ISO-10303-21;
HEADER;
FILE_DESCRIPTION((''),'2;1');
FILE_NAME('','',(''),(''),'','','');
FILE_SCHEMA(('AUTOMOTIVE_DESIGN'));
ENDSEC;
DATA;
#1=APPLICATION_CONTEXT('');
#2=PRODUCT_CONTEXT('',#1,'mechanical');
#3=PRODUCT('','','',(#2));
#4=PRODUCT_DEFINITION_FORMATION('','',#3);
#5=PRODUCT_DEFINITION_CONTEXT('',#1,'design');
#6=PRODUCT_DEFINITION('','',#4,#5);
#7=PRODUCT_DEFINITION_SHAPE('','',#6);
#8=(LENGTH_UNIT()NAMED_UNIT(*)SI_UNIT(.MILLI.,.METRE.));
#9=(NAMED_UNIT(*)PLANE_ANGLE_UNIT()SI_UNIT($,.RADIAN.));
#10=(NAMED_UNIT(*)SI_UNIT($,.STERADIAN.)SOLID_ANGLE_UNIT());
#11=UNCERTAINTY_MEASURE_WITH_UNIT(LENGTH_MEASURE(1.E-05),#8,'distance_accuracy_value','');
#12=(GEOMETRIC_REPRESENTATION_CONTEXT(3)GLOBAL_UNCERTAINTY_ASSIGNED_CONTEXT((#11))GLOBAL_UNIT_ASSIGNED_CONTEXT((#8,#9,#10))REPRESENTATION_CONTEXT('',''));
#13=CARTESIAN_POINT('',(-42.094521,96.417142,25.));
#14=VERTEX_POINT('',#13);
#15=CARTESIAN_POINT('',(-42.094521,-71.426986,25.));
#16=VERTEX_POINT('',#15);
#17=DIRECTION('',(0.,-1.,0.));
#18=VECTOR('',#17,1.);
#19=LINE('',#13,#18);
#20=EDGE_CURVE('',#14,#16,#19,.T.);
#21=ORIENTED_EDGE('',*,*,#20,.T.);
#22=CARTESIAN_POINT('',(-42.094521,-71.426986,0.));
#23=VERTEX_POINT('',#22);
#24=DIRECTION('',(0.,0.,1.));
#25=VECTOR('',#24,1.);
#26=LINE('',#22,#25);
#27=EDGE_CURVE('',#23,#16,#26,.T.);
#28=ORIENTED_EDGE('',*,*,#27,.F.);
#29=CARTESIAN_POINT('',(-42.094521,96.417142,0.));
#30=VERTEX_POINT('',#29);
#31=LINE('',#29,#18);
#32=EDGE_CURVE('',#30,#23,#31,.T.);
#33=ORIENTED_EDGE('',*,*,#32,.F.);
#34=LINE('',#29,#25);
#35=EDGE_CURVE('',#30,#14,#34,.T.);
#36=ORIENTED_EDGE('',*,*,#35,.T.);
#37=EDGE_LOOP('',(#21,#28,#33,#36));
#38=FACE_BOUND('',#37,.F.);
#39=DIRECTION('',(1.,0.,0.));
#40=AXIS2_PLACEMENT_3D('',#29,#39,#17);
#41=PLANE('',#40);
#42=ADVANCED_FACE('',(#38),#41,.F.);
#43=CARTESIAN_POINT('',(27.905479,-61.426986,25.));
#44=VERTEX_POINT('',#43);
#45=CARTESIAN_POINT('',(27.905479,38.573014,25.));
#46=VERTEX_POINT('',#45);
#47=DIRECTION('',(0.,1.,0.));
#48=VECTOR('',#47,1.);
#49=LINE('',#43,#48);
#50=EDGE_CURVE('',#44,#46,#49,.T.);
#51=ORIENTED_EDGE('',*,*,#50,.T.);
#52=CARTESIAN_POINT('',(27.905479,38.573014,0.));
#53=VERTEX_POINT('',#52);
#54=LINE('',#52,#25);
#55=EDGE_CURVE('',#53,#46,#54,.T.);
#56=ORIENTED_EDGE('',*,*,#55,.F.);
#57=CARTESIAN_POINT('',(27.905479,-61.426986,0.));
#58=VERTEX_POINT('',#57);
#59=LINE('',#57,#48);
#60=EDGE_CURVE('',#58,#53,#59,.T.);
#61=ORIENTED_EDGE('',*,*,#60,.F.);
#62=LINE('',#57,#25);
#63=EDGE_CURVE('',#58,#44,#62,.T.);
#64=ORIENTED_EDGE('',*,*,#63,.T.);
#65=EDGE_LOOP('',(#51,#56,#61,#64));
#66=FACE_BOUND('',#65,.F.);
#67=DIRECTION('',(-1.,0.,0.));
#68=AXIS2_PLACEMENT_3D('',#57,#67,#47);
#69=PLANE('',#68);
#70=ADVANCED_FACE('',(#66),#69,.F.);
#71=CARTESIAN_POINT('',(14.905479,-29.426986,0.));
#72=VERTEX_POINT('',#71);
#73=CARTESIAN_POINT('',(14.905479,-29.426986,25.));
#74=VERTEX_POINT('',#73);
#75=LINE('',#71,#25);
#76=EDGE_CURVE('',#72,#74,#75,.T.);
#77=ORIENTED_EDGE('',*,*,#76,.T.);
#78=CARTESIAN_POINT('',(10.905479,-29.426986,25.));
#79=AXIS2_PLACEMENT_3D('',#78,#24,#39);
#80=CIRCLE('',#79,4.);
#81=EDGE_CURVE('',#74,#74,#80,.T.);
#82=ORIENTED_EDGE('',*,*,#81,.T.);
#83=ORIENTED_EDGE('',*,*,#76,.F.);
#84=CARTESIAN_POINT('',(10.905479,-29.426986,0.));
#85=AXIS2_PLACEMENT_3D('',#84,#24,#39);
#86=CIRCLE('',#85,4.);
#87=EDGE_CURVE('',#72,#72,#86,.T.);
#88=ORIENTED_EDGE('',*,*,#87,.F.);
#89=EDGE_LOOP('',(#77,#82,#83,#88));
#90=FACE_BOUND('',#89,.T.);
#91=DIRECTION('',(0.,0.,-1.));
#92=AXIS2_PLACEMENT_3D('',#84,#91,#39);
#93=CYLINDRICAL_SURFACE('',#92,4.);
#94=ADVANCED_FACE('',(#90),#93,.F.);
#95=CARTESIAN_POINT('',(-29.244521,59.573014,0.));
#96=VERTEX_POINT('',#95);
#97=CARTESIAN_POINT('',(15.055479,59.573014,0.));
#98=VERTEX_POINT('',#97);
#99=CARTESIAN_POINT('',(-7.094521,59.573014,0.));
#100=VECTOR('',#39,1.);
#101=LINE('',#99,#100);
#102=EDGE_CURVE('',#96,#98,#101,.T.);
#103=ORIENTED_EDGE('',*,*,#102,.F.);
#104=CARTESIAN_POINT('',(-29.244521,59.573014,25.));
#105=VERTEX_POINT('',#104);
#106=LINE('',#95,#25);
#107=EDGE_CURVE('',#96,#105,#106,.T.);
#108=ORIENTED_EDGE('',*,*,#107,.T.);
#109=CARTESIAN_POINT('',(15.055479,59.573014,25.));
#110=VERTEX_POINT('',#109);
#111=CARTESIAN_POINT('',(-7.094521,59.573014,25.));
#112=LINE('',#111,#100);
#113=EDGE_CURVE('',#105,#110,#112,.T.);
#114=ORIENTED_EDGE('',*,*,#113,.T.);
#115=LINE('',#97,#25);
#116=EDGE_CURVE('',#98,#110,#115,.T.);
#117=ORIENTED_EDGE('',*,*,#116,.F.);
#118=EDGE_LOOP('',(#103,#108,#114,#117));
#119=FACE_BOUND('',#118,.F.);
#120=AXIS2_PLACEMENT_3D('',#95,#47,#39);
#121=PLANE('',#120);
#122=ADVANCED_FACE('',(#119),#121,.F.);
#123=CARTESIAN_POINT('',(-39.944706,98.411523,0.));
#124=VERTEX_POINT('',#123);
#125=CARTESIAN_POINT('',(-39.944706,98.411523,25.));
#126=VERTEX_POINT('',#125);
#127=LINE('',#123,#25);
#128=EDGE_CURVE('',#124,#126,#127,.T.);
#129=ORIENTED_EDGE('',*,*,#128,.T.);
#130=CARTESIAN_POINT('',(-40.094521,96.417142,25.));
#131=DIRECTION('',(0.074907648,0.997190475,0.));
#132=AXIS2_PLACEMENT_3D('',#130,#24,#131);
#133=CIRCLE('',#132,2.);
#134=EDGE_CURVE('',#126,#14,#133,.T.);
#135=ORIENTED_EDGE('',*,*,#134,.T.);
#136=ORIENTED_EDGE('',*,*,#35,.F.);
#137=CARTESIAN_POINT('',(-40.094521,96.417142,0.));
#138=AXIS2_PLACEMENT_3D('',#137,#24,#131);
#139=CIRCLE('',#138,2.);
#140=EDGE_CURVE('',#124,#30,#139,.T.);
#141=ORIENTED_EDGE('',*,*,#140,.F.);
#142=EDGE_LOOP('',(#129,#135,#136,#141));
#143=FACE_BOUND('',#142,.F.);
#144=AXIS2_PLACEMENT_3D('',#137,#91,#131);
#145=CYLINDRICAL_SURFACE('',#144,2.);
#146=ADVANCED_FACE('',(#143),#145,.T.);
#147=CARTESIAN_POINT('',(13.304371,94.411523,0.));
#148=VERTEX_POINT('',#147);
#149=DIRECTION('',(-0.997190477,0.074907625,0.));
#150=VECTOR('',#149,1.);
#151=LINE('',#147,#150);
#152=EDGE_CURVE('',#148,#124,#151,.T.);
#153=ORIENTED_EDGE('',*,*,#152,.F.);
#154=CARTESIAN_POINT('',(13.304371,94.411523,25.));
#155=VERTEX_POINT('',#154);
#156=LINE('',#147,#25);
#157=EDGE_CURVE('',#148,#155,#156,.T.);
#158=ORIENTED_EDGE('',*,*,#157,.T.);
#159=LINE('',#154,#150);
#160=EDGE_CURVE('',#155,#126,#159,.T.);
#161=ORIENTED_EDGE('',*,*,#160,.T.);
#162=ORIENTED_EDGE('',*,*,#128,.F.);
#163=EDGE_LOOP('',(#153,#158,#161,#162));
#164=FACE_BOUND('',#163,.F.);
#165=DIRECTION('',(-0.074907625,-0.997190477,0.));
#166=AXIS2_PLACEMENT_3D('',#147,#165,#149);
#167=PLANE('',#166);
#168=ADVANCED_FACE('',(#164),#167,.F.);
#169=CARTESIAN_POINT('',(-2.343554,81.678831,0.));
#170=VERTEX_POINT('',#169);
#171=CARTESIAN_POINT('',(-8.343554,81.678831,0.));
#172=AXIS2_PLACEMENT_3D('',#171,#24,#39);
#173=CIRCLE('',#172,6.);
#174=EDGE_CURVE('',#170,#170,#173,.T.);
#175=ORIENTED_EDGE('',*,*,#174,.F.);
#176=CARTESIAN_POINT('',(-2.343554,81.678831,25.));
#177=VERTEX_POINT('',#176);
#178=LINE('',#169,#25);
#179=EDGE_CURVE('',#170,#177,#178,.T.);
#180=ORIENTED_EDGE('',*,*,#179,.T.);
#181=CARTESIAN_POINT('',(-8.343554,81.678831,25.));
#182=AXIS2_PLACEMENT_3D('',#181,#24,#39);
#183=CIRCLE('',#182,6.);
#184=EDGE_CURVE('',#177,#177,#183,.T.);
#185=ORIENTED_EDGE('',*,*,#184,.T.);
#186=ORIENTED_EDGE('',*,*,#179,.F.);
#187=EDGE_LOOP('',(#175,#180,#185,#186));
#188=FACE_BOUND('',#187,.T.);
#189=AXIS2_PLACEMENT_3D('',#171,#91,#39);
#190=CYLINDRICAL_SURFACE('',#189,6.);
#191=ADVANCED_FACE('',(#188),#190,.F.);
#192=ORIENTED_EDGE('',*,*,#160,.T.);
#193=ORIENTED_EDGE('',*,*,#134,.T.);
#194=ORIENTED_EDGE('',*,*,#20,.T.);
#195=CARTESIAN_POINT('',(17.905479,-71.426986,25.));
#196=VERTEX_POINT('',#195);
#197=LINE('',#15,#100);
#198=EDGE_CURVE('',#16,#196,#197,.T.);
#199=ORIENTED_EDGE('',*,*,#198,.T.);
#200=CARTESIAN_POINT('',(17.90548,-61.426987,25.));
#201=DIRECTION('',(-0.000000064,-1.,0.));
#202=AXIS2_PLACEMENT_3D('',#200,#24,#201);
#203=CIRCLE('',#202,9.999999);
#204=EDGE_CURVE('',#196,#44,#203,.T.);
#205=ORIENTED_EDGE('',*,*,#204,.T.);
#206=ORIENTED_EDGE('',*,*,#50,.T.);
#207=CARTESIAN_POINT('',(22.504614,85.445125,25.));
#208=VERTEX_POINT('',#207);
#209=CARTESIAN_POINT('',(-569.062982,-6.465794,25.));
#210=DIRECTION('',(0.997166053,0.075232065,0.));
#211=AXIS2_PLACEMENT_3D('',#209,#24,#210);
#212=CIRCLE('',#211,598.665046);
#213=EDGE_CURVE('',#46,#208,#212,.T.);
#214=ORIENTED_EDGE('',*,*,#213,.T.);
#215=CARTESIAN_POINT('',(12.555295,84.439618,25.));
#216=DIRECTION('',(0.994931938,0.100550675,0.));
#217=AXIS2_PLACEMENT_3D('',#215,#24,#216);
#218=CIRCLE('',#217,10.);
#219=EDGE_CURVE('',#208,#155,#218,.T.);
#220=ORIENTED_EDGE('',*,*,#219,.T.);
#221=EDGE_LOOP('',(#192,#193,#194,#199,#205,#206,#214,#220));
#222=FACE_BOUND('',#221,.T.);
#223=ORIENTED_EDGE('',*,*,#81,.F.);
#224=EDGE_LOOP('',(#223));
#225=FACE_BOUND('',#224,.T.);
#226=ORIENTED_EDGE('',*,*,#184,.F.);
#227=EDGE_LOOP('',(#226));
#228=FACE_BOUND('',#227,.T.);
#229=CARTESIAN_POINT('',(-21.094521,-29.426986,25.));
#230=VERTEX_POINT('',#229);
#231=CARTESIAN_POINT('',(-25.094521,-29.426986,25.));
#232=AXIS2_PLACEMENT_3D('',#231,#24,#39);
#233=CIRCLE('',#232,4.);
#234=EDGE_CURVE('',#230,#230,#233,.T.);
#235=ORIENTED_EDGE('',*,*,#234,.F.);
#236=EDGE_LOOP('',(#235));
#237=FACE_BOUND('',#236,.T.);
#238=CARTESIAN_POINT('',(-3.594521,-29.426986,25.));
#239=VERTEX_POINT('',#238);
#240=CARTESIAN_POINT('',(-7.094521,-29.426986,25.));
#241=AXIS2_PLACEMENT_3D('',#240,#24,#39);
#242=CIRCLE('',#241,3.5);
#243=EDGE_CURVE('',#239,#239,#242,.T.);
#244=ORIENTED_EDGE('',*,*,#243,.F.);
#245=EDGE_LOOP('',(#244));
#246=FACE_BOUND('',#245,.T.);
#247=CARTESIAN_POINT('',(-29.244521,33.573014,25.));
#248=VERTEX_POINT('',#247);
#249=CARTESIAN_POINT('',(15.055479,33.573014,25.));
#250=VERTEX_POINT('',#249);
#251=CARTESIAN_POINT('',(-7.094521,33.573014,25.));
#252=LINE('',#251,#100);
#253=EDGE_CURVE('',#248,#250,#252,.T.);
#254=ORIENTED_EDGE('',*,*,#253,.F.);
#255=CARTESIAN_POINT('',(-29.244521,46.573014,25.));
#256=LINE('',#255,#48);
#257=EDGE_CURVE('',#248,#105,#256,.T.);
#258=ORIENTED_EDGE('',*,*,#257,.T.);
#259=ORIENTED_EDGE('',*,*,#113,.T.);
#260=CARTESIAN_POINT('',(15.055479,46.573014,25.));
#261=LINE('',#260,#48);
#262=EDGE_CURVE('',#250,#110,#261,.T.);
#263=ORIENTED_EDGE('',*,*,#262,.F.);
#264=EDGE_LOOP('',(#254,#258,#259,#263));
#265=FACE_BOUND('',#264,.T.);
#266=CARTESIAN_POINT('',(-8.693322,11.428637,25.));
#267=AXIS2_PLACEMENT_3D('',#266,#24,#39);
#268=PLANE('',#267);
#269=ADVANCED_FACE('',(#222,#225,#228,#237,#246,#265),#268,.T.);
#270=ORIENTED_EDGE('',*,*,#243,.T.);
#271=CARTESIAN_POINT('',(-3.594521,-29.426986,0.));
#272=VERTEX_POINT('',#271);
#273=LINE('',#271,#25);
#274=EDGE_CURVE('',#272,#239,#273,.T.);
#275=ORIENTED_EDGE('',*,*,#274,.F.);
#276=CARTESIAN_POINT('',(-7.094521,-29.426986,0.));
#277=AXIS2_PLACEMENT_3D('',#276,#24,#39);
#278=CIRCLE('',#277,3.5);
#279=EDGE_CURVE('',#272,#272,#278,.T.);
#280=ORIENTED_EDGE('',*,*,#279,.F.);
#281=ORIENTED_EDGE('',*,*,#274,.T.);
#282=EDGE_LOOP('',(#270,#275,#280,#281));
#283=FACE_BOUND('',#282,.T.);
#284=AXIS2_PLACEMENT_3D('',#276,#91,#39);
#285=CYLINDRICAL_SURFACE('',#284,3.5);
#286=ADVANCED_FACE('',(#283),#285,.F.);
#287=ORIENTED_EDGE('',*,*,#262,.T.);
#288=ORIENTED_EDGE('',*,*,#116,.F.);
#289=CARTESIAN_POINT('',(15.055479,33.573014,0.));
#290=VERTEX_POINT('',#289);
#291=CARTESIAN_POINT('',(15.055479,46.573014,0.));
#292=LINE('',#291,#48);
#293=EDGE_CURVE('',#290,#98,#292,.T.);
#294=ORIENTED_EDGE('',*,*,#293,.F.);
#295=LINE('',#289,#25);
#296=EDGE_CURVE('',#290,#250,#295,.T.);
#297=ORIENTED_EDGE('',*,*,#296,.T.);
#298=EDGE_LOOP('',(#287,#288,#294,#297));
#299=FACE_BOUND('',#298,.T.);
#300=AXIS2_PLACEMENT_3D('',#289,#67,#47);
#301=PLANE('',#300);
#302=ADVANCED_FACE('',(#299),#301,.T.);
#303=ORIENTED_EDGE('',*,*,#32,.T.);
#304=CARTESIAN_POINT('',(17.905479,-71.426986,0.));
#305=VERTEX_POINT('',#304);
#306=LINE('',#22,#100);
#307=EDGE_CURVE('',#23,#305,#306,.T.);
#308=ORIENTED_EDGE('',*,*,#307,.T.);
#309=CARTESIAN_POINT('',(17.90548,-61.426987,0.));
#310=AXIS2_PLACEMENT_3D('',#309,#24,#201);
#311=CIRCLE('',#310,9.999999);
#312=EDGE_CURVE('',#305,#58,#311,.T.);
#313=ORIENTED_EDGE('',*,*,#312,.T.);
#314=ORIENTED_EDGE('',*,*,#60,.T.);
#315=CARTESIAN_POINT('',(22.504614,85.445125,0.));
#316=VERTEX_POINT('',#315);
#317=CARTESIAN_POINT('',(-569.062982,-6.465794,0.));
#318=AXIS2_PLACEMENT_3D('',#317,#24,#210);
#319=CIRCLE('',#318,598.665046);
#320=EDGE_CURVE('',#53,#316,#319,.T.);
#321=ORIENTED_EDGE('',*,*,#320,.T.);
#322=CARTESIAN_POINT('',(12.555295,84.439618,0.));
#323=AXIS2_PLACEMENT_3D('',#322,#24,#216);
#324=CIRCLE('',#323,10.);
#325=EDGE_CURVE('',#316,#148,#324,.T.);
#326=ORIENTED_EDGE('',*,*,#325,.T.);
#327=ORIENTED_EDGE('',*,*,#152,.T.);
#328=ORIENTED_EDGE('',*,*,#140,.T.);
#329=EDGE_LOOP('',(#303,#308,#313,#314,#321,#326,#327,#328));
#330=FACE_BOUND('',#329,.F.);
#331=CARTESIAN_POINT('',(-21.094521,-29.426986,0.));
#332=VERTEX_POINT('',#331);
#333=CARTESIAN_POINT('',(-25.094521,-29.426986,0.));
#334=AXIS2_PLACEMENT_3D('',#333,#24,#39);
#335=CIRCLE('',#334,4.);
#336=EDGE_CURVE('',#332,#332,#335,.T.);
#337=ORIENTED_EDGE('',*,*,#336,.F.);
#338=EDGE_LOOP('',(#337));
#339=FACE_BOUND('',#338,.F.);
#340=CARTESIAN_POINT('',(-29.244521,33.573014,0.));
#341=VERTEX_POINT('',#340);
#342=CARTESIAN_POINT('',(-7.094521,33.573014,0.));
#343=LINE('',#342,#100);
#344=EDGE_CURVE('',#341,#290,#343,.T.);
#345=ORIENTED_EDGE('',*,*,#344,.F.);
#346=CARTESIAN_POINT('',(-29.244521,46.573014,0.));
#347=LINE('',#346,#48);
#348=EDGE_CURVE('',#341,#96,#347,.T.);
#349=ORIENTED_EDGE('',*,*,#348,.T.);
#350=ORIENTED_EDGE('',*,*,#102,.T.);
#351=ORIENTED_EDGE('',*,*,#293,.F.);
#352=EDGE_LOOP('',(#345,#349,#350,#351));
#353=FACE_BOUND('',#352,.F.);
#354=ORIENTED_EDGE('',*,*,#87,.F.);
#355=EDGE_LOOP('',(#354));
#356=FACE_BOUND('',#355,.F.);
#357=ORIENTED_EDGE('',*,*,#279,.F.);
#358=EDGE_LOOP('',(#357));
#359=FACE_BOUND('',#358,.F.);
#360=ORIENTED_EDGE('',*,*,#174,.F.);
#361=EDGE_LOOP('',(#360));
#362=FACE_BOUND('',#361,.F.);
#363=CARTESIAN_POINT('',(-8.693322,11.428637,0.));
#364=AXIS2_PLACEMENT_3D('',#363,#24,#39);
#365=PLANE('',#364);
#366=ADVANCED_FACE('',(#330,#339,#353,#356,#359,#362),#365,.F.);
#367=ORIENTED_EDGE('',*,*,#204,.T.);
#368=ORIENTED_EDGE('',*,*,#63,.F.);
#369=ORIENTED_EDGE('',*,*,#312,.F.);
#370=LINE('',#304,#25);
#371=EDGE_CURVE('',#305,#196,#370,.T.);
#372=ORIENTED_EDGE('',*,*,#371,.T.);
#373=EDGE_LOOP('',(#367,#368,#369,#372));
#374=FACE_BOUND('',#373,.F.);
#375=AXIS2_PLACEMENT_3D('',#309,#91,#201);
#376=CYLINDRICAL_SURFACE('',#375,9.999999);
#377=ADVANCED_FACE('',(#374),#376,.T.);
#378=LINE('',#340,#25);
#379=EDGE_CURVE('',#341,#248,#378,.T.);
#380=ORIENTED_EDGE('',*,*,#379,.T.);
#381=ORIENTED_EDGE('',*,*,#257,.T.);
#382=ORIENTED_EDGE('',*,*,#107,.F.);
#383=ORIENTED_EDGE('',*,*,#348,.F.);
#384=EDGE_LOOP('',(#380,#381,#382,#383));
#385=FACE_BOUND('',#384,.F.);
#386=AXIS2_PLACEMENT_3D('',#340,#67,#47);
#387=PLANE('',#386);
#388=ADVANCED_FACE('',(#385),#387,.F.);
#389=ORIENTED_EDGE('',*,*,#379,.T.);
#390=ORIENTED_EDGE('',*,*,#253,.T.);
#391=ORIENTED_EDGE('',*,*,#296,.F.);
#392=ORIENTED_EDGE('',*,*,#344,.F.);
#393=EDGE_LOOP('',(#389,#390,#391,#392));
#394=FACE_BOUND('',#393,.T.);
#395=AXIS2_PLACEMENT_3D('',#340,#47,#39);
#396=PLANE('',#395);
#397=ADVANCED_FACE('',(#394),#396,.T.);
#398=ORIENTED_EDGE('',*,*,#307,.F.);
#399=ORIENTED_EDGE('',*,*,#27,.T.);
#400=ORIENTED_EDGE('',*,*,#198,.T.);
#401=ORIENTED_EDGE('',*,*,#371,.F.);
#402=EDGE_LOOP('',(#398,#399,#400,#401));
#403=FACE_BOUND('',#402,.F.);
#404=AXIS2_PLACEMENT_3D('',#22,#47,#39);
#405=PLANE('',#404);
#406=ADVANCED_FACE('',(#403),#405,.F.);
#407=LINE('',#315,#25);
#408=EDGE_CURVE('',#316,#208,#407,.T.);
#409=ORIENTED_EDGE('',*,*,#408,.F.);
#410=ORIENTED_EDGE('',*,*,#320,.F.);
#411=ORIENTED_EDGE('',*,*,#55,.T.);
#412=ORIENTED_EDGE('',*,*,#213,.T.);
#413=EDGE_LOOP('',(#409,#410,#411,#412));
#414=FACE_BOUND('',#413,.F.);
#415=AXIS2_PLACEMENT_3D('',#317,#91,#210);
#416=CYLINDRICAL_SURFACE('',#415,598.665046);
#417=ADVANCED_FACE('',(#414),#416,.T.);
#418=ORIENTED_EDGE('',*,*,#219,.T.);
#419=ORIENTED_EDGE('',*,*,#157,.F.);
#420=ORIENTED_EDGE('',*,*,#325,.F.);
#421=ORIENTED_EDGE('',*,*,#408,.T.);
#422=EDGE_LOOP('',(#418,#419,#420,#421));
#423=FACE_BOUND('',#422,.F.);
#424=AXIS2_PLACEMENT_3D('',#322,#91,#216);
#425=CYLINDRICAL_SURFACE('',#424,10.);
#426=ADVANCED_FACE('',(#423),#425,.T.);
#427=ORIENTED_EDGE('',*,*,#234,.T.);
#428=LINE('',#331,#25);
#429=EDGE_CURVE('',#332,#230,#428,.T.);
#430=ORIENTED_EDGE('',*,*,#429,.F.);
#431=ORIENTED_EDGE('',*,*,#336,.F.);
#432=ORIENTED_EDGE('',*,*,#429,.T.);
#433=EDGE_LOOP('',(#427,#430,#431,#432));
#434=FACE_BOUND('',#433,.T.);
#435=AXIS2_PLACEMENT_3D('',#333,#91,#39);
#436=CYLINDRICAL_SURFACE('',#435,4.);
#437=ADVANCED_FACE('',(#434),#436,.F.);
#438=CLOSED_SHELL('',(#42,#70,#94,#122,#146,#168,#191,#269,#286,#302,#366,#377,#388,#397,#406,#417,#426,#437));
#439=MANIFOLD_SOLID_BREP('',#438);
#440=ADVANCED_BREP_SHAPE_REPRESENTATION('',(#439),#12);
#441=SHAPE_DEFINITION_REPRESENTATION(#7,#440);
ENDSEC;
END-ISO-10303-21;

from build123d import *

# Parameters (mm, degrees)
F0_R     = 4
F0_R_2   = 3.5
F0_W     = 44.3
F0_H     = 26
F0_R_3   = 6
F1_DEPTH = 25


with BuildPart() as f1:
    # F0 (on Top) → F1 (new body)
    with BuildSketch(Plane.XY):
        with BuildLine():
            Line((-42.094521, 96.417142), (-42.094521, -71.426986))
            Line((-42.094521, -71.426986), (17.905479, -71.426986))
            ThreePointArc((17.905479, -71.426986), (24.976547, -68.498054), (27.905479, -61.426986))
            Line((27.905479, -61.426986), (27.905479, 38.573014))
            ThreePointArc((27.905479, 38.573014), (25.666989, 62.062297), (22.504614, 85.445125))
            ThreePointArc((22.504614, 85.445125), (19.534764, 91.601113), (13.304371, 94.411523))
            Line((13.304371, 94.411523), (-39.944706, 98.411523))
            ThreePointArc((-39.944706, 98.411523), (-41.454736, 97.883367), (-42.094521, 96.417142))
        make_face()
        with Locations((-25.094521, -29.426986)):
            Circle(F0_R, mode=Mode.SUBTRACT)
        with Locations((-7.094521, -29.426986)):
            Circle(F0_R_2, mode=Mode.SUBTRACT)
        with Locations((10.905479, -29.426986)):
            Circle(F0_R, mode=Mode.SUBTRACT)
        with Locations((-7.094521, 46.573014)):
            Rectangle(F0_W, F0_H, mode=Mode.SUBTRACT)
        with Locations((-8.343554, 81.678831)):
            Circle(F0_R_3, mode=Mode.SUBTRACT)
    extrude(amount=F1_DEPTH)


solid = f1.part
